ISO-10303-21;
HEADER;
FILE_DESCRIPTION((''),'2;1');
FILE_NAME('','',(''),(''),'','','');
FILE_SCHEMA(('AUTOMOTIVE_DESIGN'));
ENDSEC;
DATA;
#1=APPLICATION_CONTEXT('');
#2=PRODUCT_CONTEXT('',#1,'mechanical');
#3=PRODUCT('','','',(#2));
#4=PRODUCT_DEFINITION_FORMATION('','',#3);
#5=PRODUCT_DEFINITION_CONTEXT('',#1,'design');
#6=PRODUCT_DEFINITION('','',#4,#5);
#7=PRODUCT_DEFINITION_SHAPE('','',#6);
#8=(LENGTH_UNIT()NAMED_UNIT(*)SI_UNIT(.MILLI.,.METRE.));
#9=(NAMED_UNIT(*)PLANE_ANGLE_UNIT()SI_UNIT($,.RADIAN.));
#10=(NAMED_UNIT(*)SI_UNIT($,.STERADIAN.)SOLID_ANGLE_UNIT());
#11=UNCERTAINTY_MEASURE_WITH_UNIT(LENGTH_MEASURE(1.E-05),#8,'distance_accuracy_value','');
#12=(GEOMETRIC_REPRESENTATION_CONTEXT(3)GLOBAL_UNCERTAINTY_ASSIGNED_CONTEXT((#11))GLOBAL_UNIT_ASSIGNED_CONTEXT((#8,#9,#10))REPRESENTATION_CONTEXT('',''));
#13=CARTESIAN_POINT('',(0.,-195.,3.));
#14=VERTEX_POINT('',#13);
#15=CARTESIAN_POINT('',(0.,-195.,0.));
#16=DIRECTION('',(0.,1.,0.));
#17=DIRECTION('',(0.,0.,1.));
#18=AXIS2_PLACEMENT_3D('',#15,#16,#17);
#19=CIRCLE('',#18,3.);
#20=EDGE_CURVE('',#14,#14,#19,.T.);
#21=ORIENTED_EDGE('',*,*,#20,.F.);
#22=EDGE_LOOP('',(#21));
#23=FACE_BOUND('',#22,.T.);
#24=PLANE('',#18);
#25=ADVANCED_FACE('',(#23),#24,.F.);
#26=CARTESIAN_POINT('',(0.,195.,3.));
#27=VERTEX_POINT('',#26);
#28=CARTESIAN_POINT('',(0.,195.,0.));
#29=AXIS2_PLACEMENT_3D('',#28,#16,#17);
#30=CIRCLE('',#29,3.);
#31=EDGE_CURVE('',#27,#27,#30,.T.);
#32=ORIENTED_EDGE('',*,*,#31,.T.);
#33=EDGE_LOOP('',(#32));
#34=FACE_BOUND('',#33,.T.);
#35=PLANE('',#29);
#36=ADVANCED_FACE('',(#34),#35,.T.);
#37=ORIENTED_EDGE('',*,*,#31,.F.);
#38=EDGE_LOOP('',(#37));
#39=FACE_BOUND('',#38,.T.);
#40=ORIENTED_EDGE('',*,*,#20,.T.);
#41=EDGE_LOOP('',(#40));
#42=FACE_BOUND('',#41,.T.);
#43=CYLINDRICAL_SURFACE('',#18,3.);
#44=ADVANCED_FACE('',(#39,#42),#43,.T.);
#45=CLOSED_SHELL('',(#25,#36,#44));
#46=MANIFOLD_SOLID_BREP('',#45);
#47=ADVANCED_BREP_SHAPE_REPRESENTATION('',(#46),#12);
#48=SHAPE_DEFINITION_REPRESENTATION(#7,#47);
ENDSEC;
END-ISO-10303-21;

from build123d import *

# Parameters (mm, degrees)
BOSS_EXTRUDE1_DEPTH      = 195
BOSS_EXTRUDE1_DEPTH_BACK = 195
SKETCH1_R                = 3


with BuildPart() as part:
    # Sketch1 → Boss-Extrude1 (new, two sides: drawn at the far end of the back side and taken through both)
    with BuildSketch(Plane(origin=(0, 0, 0), x_dir=(1, 0, 0), z_dir=(0, 1, 0)).offset(-BOSS_EXTRUDE1_DEPTH_BACK)):
        Circle(SKETCH1_R)
    extrude(amount=BOSS_EXTRUDE1_DEPTH + BOSS_EXTRUDE1_DEPTH_BACK)


solid = part.part
